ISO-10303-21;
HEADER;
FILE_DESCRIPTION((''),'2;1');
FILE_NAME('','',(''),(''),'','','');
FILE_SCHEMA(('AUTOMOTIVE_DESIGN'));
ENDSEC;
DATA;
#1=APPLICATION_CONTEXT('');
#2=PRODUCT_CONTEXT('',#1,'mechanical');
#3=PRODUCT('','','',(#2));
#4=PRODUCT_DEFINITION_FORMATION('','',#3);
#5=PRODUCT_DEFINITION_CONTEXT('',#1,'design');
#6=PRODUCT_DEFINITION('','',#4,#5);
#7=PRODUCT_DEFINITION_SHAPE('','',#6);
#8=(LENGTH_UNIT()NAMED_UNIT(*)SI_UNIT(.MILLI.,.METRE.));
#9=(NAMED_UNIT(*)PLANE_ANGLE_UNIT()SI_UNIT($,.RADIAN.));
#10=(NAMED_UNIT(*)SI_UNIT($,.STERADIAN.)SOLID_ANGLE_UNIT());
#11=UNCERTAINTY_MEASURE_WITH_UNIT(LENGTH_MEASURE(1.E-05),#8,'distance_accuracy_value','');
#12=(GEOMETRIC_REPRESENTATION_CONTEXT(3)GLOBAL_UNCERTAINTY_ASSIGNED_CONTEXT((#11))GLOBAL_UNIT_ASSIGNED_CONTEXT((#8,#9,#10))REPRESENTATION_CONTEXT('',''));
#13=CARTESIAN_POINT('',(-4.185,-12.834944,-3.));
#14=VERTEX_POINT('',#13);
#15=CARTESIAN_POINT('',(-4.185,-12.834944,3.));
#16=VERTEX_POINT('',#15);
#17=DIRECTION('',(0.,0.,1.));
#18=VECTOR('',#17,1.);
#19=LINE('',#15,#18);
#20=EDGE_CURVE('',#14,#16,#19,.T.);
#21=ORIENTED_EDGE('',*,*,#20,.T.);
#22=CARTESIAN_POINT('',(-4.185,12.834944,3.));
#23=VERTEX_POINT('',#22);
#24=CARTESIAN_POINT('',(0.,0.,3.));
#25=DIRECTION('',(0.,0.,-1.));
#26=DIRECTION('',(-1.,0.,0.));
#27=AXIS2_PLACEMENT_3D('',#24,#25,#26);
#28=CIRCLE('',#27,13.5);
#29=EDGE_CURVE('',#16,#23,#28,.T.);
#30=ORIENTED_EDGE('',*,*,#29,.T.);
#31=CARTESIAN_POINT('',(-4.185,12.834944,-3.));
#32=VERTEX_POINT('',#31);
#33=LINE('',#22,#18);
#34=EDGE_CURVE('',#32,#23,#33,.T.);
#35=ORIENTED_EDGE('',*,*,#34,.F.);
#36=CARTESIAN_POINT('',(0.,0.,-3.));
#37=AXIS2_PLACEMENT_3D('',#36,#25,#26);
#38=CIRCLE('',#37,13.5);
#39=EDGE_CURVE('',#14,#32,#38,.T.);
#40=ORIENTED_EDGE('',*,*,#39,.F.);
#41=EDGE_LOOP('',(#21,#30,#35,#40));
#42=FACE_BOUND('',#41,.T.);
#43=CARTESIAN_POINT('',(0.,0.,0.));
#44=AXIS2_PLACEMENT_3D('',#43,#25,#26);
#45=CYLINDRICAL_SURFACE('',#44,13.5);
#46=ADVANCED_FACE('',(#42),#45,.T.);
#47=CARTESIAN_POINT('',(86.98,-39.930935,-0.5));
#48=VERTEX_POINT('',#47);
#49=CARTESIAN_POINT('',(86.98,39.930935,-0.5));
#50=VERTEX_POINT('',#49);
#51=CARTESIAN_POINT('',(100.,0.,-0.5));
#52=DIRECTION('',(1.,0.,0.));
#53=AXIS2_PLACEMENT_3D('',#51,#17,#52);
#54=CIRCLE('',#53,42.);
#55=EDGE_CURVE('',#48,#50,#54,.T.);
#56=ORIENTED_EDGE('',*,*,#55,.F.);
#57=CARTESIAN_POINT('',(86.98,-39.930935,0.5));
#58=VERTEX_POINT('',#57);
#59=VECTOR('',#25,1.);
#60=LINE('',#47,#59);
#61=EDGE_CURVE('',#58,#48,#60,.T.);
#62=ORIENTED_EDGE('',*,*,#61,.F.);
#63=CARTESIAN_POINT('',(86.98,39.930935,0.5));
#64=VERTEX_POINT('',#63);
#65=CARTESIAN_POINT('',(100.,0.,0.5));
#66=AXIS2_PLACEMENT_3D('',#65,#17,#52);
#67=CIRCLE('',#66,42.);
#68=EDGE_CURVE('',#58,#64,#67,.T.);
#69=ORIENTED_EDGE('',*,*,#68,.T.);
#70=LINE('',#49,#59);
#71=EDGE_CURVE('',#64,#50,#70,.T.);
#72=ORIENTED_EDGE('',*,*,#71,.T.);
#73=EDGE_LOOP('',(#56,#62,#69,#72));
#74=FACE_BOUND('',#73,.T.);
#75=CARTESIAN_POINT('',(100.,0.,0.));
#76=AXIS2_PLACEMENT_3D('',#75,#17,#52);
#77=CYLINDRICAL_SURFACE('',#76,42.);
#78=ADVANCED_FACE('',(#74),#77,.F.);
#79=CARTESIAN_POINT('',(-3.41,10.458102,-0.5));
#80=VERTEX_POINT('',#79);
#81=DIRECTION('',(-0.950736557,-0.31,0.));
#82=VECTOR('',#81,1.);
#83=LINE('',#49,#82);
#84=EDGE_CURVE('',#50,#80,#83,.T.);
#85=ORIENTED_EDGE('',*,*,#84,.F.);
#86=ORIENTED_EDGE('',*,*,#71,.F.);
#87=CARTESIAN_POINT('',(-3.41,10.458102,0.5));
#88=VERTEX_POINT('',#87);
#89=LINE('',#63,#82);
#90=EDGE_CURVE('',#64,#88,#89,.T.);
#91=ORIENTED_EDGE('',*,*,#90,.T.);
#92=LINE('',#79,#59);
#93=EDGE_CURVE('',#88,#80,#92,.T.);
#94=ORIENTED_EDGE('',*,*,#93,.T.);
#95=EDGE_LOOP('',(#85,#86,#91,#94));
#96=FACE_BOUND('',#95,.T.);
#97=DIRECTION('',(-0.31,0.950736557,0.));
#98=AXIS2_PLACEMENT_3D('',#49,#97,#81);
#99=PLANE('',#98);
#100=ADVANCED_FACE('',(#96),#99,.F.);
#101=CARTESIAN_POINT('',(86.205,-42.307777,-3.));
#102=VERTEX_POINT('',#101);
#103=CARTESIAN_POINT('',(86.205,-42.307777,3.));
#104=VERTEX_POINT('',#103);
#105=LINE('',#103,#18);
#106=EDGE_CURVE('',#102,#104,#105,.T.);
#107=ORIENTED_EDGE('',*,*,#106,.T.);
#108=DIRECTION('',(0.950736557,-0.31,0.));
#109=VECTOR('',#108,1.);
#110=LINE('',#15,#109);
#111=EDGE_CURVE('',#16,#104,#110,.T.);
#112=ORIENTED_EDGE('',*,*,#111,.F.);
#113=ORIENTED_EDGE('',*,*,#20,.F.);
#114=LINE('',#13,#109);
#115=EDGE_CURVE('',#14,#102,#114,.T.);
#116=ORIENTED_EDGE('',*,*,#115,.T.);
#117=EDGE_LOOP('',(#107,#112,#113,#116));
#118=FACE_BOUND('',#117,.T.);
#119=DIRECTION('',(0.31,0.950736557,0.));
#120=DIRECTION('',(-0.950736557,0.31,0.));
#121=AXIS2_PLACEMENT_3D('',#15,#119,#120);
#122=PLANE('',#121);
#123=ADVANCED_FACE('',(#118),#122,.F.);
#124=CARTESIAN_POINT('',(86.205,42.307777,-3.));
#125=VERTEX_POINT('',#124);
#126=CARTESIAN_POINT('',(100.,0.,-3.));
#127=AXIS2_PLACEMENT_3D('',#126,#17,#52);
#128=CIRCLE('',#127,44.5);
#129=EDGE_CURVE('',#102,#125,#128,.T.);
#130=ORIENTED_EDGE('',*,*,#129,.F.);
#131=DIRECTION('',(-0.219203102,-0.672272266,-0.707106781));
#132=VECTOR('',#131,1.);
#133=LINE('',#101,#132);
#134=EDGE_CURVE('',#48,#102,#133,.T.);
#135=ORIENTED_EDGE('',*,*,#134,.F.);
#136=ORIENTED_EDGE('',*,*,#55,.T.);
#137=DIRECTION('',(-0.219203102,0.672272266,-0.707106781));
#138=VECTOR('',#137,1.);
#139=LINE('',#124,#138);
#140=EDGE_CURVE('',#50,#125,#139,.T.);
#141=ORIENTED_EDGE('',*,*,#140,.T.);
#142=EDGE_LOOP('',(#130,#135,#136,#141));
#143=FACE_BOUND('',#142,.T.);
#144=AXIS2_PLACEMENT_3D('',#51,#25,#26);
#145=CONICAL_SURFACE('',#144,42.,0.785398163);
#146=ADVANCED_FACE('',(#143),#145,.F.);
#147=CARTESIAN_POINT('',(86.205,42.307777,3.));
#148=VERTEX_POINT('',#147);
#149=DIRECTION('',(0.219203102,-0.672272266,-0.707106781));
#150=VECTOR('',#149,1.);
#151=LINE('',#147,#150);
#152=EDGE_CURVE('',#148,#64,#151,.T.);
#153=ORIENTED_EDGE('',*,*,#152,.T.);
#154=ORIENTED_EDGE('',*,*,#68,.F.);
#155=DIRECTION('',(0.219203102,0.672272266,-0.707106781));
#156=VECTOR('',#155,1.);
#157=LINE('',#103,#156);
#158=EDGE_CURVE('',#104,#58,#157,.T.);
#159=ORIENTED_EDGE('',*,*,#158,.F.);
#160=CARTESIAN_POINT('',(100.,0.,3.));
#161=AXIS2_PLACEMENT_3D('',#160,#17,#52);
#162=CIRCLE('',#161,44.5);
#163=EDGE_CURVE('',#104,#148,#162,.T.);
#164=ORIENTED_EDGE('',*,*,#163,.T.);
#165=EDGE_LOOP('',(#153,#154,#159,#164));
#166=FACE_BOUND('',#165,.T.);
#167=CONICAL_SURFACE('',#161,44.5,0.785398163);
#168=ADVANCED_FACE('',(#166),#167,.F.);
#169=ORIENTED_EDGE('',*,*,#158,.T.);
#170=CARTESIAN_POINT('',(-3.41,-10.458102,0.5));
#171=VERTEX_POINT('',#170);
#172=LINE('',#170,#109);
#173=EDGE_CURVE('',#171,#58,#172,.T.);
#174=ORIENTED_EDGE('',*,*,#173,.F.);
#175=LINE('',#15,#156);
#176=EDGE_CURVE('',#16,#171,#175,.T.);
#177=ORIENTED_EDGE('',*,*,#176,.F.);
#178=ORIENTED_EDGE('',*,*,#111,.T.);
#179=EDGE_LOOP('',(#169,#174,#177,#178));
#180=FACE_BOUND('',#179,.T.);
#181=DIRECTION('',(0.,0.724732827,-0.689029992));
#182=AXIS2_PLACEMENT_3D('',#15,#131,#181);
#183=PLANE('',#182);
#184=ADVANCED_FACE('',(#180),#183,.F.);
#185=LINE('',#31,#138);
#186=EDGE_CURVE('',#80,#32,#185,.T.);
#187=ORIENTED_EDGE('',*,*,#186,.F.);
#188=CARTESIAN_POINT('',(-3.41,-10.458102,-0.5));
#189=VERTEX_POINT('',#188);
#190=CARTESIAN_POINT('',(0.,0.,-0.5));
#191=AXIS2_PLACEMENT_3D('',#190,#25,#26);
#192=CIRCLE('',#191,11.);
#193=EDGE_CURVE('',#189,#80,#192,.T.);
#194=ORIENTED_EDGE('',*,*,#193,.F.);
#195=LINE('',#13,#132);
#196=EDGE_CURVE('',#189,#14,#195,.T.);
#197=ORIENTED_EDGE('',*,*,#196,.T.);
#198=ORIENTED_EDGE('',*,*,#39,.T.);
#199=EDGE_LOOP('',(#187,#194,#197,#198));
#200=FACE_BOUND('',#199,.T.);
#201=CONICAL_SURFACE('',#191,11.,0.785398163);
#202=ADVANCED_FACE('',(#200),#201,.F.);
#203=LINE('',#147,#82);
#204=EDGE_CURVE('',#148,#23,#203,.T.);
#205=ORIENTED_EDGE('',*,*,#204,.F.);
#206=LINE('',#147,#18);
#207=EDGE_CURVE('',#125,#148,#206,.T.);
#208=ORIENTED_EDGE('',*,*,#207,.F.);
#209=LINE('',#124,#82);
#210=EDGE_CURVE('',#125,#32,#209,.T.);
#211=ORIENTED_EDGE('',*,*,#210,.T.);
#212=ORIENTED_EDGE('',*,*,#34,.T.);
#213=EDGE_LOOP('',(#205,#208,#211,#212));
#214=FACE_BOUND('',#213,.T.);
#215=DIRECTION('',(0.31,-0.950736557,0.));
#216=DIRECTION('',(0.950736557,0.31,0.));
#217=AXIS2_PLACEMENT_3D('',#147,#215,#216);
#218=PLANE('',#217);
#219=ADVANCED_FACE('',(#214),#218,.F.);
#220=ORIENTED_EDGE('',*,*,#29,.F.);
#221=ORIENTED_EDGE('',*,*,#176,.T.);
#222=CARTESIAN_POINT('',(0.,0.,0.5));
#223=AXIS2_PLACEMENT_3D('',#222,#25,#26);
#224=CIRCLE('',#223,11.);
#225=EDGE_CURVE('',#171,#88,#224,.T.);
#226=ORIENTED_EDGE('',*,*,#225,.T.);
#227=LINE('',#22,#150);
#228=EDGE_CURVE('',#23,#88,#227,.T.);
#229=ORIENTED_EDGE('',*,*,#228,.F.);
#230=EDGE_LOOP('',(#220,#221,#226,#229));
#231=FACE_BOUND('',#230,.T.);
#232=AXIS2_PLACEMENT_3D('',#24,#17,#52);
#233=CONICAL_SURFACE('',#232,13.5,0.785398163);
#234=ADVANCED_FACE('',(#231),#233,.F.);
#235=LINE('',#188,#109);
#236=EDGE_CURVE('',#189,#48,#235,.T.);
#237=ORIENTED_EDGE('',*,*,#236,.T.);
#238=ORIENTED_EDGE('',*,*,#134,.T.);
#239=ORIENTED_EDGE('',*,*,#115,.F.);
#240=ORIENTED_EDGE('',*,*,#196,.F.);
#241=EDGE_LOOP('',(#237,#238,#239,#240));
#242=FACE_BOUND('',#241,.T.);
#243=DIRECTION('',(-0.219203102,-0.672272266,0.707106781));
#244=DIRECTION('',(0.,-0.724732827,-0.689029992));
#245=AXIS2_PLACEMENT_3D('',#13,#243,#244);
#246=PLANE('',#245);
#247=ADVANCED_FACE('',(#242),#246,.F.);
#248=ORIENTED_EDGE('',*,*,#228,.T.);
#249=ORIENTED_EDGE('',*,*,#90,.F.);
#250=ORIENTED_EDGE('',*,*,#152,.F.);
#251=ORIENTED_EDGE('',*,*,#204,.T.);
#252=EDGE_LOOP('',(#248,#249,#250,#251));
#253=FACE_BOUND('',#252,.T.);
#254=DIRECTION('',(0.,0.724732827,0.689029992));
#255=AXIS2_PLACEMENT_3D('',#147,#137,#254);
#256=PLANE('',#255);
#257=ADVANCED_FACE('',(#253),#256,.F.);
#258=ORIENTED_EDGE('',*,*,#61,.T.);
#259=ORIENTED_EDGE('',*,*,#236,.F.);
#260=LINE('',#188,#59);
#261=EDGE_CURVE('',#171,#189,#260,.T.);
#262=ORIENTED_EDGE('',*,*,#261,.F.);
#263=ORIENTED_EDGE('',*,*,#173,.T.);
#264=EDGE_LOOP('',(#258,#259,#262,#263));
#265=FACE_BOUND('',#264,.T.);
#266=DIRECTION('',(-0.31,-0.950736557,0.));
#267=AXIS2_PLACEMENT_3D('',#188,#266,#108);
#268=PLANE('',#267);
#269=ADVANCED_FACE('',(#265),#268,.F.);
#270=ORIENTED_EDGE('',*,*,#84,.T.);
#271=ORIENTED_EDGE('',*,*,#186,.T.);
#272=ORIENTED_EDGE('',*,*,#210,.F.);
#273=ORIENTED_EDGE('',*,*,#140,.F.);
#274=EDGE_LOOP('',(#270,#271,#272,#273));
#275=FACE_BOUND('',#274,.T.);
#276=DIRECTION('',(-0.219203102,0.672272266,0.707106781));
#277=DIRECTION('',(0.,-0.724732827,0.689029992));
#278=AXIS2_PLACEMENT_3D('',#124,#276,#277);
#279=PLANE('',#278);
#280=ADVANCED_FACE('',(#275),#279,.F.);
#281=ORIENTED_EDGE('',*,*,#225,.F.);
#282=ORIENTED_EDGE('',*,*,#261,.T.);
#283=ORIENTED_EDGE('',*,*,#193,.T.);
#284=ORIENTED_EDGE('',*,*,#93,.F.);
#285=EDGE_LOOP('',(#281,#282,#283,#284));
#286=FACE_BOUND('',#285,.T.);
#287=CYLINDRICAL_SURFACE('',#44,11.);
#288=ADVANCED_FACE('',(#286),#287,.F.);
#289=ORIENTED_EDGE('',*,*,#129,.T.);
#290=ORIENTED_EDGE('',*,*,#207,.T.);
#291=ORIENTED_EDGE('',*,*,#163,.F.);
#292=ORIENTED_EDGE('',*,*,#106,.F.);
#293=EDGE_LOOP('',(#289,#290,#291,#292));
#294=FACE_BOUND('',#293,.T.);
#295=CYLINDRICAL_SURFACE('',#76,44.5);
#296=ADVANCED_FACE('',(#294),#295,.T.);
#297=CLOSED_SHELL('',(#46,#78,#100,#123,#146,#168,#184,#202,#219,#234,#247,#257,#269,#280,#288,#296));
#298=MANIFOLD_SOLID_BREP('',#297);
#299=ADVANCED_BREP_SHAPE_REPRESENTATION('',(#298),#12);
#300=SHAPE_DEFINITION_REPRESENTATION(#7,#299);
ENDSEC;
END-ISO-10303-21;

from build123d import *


with BuildPart() as part:
    # Balayage1: sweep along a path in Esquisse1
    with BuildLine(Plane.XY) as balayage1_path:
        Line((86.98, 39.930935376), (-3.41, 10.458102122))
        ThreePointArc((-3.41, 10.458102122), (-11, 0), (-3.41, -10.458102122))
        Line((-3.41, -10.458102122), (86.98, -39.930935376))
        ThreePointArc((86.98, -39.930935376), (142, 0), (86.98, 39.930935376))
    # Esquisse2 → Balayage1 (sweep)
    with BuildSketch(Plane(origin=(0, 0, 0), x_dir=(1, 0, 0), z_dir=(0, 1, 0))):
        Polygon((-13.5, -3), (-13.5, 3), (-11, 0.5), (-11, -0.5), align=None)
    sweep(path=balayage1_path.line)


solid = part.part
